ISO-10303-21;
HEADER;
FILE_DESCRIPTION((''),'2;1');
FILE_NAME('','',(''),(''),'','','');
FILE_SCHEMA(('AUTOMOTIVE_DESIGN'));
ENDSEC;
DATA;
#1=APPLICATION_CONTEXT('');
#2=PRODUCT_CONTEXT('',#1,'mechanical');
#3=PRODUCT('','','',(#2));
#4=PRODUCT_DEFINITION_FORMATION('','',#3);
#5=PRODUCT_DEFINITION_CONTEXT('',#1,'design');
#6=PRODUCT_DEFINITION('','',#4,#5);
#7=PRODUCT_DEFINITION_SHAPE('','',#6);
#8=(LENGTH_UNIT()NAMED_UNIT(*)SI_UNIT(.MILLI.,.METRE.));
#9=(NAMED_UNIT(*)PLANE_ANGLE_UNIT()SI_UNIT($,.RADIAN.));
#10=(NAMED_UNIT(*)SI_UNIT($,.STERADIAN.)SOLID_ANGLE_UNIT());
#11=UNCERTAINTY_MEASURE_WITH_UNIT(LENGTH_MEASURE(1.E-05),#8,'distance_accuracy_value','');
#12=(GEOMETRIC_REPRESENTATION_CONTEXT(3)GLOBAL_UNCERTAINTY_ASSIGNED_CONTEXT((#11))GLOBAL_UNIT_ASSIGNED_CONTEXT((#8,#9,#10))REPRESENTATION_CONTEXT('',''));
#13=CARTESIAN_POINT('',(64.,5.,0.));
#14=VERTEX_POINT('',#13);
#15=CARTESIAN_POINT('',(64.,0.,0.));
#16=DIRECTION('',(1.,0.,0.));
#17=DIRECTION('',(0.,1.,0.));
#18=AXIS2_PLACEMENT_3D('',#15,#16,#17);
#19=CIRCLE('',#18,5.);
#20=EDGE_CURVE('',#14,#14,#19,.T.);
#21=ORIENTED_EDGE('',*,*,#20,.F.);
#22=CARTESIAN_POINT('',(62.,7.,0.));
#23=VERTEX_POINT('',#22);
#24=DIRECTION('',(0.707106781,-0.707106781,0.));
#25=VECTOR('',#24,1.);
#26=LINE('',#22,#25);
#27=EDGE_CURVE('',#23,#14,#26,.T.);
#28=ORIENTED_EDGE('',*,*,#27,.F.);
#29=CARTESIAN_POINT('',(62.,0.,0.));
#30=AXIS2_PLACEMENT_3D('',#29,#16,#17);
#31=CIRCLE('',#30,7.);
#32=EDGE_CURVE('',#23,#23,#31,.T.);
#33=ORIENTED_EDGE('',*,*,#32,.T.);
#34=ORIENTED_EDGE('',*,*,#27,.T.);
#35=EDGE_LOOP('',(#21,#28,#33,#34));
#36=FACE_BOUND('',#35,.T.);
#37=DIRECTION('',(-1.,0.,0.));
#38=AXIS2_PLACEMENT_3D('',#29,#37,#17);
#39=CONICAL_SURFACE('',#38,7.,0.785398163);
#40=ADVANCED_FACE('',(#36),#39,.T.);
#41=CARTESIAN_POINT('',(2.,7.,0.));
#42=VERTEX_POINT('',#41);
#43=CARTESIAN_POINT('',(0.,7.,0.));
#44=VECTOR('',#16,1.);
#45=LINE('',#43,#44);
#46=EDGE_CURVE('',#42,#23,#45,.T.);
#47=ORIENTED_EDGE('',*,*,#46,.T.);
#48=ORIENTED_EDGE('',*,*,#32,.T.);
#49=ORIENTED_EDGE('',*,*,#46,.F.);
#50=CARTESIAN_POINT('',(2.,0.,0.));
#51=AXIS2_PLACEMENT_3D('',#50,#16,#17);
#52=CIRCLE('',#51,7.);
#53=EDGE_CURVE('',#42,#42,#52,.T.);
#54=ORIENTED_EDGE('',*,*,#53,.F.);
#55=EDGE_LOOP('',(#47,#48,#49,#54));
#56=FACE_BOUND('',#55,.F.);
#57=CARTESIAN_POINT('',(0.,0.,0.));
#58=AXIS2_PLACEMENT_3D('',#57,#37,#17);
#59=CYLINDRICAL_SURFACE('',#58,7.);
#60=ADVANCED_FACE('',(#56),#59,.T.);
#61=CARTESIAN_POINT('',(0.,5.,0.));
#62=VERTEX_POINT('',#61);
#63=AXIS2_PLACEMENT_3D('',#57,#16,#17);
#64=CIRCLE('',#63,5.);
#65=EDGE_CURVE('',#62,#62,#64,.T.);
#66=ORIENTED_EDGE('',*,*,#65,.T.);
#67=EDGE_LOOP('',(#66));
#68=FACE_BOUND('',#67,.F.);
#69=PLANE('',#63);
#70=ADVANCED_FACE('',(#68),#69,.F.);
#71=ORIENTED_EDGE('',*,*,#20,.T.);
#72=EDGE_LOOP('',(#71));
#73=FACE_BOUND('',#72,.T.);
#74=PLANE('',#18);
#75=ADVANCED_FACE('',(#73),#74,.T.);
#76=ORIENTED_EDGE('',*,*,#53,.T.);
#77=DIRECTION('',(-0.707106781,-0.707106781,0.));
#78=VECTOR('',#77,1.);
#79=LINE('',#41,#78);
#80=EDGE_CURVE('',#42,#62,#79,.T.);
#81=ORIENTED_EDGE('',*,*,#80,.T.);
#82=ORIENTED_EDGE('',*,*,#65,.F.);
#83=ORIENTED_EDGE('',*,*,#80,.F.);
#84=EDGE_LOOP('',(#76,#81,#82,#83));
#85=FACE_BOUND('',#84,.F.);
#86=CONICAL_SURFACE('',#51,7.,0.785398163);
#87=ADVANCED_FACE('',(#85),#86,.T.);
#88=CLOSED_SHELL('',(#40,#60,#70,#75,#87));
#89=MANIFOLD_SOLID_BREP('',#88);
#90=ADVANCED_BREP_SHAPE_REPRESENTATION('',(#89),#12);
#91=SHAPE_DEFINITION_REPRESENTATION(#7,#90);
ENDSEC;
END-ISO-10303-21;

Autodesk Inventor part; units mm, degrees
ref_plane "YZ Plane" through (0, 0, 0) normal (1, 0, 0) x (0, 1, 0)
ref_plane "XZ Plane" through (0, 0, 0) normal (0, 1, 0) x (-1, 0, 0)
ref_plane "XY Plane" through (0, 0, 0) normal (0, 0, 1) x (1, 0, 0)
sketch "Sketch1" plane through (0, 0, 0) normal (1, 0, 0) x (0, 1, 0)
  circle A0 centre (0, 0) radius 7
  dimension "d0" = 14
extrude "Extrusion1" add sketch "Sketch1" along normal blind 64
chamfer "Chamfer1" distance 2 angle 45 1 edges at (64, -7, 0) measured on face at (64, -0.8274, 0.9129)
chamfer "Chamfer2" distance 2 angle 45 1 edges at (0, -7, 0) measured on face at (0, -0.8274, 0.9129)
properties part number "Stub" material "Steel, Carbon"
